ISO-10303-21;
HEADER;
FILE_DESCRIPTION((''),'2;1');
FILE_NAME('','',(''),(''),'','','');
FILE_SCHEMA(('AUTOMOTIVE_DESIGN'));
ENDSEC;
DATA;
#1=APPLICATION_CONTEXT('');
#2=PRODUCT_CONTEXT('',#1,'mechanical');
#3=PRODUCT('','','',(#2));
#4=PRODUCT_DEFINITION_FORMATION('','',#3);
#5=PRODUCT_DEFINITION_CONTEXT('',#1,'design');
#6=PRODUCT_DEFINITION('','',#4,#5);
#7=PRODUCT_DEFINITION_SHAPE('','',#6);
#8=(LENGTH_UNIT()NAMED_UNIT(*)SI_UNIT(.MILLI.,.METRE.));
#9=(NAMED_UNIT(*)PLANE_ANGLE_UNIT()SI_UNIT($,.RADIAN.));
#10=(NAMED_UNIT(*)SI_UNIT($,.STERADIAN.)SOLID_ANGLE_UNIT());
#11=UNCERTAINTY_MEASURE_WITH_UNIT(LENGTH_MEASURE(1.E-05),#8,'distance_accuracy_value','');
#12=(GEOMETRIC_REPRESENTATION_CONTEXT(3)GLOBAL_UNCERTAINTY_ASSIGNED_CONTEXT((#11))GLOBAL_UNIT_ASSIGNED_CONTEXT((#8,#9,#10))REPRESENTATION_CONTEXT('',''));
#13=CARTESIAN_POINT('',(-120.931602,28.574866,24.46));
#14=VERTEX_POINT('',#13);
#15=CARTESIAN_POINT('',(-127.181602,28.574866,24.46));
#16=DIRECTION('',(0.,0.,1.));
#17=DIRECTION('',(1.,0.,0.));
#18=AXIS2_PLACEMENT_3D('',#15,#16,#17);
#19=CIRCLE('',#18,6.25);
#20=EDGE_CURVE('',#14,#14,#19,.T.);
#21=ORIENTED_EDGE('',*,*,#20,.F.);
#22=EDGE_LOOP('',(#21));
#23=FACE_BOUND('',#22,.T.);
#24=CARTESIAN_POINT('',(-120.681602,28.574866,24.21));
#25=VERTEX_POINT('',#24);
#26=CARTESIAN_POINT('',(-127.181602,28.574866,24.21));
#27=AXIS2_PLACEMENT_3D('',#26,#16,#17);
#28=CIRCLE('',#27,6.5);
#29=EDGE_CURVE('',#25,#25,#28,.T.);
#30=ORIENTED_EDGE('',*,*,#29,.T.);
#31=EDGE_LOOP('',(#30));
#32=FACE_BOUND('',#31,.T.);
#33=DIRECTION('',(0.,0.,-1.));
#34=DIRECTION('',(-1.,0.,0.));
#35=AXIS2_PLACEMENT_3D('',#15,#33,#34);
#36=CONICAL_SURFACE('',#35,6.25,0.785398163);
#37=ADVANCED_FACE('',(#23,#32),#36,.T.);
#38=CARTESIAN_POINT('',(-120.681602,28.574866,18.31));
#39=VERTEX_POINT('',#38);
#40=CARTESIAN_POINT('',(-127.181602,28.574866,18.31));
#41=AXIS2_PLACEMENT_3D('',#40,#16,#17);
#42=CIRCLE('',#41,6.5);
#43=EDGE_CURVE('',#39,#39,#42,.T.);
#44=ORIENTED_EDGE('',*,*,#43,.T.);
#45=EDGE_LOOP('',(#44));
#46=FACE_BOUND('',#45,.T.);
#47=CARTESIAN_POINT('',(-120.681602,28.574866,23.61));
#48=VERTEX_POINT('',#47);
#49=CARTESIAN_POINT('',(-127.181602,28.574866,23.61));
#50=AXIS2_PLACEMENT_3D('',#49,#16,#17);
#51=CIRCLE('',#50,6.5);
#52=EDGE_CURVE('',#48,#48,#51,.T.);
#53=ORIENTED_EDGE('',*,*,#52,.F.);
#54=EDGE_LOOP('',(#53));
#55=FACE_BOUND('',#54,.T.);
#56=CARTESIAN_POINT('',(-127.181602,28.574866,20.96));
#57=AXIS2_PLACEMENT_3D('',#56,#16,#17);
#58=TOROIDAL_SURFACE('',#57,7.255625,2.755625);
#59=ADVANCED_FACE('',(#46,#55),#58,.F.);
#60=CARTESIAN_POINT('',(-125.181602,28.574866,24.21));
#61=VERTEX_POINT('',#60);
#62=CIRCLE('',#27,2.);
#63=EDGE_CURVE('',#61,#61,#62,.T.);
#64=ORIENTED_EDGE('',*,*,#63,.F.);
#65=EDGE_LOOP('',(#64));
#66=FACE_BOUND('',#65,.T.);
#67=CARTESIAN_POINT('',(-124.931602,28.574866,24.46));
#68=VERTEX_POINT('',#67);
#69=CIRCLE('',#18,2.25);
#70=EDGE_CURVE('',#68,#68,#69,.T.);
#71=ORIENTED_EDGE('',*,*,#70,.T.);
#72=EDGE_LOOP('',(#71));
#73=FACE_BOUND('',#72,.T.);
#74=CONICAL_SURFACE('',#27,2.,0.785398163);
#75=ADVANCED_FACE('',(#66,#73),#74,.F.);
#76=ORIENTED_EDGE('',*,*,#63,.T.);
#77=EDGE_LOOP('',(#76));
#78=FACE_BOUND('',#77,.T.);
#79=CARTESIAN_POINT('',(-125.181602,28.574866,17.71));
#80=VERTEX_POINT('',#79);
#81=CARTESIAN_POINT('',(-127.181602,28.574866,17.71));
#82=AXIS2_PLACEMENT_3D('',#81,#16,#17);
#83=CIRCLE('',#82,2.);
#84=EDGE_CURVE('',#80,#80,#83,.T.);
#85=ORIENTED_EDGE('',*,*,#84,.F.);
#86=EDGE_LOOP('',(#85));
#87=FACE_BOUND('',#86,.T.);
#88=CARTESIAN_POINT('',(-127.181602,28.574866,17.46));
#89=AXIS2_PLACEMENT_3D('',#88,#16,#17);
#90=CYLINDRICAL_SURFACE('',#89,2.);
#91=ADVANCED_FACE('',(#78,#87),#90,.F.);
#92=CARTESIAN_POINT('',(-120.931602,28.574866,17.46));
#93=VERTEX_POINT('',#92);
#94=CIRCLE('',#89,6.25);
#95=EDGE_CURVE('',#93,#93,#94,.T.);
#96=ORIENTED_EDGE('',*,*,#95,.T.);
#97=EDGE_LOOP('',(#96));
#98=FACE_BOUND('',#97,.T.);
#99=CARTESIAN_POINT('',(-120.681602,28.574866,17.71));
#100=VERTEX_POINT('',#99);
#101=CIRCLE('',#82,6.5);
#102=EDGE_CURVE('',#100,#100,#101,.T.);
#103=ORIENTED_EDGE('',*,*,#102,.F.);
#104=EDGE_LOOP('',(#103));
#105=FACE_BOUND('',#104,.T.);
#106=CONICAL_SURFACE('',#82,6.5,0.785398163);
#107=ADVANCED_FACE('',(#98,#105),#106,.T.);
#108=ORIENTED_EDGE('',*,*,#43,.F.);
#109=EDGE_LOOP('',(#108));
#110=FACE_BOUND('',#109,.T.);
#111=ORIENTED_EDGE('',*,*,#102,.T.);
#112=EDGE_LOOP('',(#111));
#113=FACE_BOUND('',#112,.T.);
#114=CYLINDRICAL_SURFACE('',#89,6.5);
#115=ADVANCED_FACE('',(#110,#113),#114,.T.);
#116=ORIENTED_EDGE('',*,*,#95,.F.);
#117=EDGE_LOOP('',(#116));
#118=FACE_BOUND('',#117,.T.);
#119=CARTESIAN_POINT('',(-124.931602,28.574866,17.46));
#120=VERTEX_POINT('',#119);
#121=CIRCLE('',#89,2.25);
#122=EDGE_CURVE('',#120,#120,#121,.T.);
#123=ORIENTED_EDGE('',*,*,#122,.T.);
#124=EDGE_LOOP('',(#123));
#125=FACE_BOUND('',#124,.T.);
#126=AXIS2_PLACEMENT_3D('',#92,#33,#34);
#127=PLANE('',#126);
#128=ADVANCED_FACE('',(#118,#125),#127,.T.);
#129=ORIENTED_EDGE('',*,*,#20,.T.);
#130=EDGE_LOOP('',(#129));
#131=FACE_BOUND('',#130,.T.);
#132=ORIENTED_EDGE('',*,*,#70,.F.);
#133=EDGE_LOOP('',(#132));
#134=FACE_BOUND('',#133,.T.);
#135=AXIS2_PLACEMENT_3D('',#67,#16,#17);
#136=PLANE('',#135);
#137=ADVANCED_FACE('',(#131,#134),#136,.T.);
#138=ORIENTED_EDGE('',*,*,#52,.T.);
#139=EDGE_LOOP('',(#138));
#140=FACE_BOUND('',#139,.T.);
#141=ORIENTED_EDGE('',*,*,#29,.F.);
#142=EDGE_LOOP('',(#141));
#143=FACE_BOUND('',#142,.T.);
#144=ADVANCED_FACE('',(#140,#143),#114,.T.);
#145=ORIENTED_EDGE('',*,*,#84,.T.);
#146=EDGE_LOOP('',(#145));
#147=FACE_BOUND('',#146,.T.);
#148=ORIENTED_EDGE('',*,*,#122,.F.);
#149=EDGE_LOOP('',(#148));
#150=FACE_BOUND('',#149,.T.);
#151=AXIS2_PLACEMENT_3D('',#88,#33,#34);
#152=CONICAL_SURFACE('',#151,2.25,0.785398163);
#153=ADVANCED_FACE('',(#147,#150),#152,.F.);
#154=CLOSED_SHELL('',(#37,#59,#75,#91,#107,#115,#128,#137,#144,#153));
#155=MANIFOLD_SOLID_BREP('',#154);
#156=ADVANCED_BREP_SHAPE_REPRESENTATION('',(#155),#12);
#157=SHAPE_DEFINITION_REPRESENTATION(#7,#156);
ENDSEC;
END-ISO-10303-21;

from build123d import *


with BuildPart() as part:
    # Sketch1 → Revolve1 (revolve)
    with BuildSketch(Plane(origin=(0, 28.574866342, 0), x_dir=(1, 0, 0), z_dir=(0, 1, 0))):
        with BuildLine():
            Line((-120.681601968, -17.71), (-120.931601968, -17.46))
            Line((-120.931601968, -17.46), (-124.931601968, -17.46))
            Line((-124.931601968, -17.46), (-125.181601968, -17.71))
            Line((-125.181601968, -17.71), (-125.181601968, -24.21))
            Line((-125.181601968, -24.21), (-124.931601968, -24.46))
            Line((-124.931601968, -24.46), (-120.931601968, -24.46))
            Line((-120.931601968, -24.46), (-120.681601968, -24.21))
            Line((-120.681601968, -24.21), (-120.681601968, -23.61))
            ThreePointArc((-120.681601968, -23.61), (-122.681601968, -20.96), (-120.681601968, -18.31))
            Line((-120.681601968, -18.31), (-120.681601968, -17.71))
        make_face()
    revolve(axis=Axis((-127.181601968, 28.574866342, 17.46), (0, 0, 1)))


solid = part.part
